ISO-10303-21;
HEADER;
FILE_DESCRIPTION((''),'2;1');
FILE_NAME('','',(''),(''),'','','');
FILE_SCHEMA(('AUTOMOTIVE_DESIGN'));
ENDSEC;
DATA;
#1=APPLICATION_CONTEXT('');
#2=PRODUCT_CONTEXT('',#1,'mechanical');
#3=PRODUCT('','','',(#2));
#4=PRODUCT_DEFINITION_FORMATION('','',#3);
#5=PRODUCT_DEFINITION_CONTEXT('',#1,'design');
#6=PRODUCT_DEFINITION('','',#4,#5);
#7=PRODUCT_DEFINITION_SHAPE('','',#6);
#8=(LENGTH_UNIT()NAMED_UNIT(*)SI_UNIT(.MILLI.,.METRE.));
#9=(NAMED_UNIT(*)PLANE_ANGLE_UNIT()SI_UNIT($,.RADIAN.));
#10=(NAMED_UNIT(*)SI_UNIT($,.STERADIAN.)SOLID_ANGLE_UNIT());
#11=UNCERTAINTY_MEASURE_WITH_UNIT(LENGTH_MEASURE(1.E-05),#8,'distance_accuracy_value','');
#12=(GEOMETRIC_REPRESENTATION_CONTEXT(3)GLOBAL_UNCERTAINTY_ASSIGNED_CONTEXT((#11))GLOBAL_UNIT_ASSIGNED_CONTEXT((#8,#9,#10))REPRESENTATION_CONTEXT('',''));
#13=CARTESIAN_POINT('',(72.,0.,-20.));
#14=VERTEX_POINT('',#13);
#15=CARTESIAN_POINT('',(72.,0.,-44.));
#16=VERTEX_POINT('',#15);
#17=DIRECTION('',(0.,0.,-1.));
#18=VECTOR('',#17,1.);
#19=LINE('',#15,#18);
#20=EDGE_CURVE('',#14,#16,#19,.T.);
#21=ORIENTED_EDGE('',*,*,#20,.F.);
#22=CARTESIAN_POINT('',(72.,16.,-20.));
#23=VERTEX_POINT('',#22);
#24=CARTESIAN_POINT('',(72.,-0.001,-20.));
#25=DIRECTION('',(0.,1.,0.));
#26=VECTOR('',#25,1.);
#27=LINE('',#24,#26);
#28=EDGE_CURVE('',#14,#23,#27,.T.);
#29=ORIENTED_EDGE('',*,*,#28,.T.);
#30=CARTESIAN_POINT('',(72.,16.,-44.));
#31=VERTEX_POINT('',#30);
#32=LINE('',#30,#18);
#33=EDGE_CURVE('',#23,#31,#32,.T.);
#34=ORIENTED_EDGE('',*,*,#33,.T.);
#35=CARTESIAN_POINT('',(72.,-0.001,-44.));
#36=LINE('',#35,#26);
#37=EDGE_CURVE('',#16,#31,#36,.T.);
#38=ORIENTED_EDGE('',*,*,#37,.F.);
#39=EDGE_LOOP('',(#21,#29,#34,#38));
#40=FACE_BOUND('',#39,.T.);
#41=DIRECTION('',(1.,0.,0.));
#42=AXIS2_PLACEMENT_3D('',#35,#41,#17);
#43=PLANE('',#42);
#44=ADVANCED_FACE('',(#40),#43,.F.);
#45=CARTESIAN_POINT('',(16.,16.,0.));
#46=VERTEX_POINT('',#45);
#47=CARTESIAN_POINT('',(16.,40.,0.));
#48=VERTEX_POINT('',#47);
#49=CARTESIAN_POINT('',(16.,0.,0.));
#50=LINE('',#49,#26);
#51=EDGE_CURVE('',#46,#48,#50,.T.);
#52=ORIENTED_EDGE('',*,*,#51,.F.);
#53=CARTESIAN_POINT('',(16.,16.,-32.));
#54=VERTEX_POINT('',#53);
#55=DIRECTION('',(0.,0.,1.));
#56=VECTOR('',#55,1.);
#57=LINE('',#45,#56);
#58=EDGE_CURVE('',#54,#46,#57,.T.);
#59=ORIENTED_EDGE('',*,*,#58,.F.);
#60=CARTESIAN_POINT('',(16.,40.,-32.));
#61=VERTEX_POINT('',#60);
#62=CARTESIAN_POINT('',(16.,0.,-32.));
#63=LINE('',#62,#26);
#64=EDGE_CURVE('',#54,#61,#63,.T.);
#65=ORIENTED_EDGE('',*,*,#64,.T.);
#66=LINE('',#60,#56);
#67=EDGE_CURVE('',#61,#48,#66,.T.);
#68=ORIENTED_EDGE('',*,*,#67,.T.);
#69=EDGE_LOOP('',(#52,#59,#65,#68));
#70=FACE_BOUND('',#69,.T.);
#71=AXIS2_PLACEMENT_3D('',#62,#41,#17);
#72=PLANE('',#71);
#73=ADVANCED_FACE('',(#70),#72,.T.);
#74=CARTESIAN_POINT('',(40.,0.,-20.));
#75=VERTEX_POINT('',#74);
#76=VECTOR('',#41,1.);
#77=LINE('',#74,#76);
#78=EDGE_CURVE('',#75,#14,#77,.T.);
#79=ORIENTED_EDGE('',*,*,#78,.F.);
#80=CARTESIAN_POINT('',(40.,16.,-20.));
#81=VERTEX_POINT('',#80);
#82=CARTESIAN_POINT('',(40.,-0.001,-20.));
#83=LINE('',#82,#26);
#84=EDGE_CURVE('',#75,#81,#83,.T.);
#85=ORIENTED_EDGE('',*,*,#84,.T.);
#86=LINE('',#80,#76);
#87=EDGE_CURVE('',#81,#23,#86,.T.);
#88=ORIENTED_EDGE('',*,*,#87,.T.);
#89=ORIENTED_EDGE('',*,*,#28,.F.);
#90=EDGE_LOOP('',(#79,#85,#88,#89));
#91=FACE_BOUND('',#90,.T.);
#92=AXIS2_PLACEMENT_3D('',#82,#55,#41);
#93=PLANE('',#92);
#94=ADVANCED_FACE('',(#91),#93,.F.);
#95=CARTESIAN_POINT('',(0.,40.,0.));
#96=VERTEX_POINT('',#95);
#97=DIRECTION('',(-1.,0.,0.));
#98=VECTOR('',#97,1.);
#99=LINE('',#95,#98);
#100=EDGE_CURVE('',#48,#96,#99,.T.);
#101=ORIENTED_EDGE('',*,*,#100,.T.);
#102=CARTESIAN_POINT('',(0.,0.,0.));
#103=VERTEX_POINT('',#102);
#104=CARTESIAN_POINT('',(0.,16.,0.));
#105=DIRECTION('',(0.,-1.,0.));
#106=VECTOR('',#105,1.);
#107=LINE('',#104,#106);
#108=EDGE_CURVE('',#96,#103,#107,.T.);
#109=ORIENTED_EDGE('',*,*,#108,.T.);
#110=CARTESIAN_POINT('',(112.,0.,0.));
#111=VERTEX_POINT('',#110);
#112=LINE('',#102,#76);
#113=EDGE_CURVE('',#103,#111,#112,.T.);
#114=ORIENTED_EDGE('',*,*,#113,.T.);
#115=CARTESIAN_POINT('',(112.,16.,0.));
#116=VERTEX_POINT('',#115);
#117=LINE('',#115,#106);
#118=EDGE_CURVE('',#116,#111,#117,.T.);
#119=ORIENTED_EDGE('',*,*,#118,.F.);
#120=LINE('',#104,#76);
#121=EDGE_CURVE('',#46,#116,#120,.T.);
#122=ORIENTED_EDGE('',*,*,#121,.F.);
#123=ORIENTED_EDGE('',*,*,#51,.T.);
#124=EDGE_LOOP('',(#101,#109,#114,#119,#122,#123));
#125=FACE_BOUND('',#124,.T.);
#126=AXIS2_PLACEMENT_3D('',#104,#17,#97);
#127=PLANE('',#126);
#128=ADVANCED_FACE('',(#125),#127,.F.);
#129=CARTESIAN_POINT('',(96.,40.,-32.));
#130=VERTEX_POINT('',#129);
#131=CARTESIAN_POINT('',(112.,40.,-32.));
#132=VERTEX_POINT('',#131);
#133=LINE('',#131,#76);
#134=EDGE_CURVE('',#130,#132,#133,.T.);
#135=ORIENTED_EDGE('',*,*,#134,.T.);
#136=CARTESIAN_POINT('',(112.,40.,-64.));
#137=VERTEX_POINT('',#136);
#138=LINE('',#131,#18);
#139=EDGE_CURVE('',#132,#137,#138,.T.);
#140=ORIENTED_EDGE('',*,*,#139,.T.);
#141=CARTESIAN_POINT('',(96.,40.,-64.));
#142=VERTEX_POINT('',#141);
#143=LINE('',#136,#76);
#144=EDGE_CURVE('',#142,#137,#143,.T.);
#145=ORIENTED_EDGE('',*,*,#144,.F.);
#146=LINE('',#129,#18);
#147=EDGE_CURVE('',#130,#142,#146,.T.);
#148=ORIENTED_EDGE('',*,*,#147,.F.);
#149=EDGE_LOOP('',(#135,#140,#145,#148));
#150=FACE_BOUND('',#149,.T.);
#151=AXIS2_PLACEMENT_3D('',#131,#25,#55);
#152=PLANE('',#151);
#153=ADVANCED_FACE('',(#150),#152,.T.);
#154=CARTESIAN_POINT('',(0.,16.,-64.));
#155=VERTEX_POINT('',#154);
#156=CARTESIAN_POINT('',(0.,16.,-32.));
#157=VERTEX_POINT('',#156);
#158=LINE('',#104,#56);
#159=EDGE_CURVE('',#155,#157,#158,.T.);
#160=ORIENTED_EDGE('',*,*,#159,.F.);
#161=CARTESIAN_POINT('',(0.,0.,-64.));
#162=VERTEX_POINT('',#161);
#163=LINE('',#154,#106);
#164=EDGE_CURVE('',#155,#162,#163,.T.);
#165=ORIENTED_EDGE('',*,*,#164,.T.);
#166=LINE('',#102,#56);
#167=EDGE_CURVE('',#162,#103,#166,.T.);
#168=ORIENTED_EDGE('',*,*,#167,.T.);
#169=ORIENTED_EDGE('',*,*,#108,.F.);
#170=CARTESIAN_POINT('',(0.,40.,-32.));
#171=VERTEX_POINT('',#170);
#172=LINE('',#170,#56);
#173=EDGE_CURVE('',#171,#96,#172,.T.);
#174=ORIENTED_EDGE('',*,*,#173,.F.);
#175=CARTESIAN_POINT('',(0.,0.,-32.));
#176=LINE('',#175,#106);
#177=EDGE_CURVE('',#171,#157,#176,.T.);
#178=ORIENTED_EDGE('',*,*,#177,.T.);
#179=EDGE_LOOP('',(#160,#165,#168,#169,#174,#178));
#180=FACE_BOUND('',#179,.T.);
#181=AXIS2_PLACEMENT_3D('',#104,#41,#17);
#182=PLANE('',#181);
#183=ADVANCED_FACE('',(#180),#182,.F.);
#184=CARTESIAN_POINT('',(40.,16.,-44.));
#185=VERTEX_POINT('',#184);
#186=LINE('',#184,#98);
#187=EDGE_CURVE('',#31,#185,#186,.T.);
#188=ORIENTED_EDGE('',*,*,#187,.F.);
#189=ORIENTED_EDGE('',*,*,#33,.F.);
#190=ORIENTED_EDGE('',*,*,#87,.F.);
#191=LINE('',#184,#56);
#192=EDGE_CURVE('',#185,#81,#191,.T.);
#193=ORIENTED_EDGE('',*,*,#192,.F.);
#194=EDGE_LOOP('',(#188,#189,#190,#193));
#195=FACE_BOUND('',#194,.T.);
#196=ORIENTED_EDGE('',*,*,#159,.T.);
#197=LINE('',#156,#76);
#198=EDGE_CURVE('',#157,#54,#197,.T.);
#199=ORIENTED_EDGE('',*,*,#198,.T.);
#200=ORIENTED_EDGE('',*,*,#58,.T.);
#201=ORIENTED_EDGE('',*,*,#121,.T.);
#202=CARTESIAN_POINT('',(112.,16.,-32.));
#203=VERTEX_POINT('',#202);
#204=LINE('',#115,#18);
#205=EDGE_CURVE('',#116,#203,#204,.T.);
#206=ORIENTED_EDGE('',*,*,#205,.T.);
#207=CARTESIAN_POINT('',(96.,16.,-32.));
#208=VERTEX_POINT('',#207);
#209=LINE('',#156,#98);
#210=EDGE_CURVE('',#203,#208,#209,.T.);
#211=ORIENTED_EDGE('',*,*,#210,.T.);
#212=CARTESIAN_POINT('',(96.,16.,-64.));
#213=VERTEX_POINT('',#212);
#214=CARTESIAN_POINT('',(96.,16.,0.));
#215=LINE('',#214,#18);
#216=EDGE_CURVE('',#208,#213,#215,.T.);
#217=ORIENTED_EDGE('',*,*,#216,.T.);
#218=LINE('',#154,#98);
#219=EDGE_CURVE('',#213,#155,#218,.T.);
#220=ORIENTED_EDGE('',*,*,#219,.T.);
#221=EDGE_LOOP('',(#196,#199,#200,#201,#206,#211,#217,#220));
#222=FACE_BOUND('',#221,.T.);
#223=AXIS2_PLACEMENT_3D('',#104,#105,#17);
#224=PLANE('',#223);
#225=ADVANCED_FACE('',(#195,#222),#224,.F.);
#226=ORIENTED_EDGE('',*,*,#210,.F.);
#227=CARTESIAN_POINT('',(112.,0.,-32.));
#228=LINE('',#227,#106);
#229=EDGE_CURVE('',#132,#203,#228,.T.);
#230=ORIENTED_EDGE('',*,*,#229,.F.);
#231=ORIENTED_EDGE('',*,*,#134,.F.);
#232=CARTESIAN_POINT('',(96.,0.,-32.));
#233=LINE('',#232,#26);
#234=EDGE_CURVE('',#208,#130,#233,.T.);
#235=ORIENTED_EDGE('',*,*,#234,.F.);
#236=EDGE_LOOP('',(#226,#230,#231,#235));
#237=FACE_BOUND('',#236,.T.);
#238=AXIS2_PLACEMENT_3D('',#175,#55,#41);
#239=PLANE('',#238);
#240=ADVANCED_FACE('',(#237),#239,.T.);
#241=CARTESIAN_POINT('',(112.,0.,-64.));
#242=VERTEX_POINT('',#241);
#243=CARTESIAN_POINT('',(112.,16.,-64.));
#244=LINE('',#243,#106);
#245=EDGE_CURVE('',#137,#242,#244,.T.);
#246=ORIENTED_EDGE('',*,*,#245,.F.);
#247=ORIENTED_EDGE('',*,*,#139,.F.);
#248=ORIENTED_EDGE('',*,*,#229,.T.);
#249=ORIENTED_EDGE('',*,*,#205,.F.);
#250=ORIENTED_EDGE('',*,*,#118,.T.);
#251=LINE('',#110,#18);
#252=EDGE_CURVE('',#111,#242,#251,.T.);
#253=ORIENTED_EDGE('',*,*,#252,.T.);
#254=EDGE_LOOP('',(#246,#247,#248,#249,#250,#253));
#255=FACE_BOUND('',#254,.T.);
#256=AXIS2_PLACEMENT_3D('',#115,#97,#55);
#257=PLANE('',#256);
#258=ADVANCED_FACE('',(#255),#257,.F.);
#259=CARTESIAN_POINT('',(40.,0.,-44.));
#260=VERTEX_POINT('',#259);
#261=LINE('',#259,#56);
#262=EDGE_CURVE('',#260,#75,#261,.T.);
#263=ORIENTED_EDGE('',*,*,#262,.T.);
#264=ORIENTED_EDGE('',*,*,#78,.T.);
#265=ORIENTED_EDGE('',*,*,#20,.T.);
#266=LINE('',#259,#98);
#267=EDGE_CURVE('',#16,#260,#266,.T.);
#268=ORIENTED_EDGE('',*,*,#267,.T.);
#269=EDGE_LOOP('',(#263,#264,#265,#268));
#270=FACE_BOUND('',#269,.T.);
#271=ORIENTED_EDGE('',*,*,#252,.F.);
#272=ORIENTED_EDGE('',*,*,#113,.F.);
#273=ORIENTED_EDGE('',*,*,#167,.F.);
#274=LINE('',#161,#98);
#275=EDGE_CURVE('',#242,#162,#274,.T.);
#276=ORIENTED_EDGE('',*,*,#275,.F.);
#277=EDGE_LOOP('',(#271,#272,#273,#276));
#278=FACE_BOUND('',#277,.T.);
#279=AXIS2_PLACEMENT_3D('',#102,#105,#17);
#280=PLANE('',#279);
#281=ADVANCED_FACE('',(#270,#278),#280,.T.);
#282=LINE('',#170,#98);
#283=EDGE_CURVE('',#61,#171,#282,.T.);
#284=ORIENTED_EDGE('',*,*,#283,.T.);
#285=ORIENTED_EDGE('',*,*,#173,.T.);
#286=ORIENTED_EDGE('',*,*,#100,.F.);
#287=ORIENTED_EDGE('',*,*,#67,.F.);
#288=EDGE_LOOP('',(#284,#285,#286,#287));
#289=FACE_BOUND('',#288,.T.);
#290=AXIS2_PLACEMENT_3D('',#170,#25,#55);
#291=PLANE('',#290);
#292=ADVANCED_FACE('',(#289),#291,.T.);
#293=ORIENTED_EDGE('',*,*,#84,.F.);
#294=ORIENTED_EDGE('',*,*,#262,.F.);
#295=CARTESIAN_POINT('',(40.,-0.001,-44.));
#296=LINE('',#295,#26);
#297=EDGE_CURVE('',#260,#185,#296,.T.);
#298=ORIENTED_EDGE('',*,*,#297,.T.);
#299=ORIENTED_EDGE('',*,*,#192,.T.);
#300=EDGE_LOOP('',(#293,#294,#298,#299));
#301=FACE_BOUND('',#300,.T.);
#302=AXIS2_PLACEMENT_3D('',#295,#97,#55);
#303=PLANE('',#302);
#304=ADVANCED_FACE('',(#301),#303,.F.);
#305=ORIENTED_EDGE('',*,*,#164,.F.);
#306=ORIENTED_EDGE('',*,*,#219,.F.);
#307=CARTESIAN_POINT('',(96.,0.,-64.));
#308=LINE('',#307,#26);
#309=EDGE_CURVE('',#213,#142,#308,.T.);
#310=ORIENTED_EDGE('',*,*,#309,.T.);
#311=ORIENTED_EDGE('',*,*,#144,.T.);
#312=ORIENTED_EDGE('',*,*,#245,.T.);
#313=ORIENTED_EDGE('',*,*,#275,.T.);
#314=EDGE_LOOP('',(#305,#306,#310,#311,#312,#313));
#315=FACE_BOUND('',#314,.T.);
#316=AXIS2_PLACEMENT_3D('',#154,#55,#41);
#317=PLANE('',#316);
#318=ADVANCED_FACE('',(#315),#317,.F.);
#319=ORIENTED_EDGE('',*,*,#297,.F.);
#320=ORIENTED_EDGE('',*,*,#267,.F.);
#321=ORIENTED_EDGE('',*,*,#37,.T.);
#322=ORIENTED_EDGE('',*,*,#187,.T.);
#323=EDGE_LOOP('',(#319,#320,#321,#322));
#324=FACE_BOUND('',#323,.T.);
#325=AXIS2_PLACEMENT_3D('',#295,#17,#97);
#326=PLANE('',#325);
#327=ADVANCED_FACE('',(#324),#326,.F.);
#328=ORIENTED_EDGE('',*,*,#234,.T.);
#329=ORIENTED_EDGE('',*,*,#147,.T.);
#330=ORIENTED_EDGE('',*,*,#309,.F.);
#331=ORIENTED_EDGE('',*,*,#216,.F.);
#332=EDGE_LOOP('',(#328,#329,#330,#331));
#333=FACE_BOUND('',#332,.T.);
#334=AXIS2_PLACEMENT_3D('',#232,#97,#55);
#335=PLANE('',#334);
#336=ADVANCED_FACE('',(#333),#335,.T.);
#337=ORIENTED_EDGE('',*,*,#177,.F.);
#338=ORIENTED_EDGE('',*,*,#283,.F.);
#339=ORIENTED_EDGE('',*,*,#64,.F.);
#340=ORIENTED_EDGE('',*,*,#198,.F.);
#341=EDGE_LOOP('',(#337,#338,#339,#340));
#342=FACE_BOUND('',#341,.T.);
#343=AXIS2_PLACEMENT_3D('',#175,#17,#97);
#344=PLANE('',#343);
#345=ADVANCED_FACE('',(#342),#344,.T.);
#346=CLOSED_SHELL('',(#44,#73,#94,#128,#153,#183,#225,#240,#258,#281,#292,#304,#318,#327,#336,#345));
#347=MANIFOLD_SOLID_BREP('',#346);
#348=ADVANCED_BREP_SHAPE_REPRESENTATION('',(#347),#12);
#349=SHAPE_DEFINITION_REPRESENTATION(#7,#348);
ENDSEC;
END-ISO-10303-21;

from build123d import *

# Parameters (mm, degrees)
SKETCH1_W           = 112
SKETCH1_H           = 64
BOSS_EXTRUDE1_DEPTH = 16
SKETCH3_W           = 16
SKETCH3_H           = 40
BOSS_EXTRUDE2_DEPTH = 32
SKETCH6_W           = 16
SKETCH6_H           = 40
BOSS_EXTRUDE3_DEPTH = 32
CUT_EXTRUDE1_REACH  = 133.21
SKETCH7_W           = 32
SKETCH7_H           = 24


with BuildPart() as part:
    # Sketch1 → Boss-Extrude1 (new body)
    with BuildSketch(Plane(origin=(0, 0, 0), x_dir=(1, 0, 0), z_dir=(0, 1, 0))):
        with Locations((56, 32)):
            Rectangle(SKETCH1_W, SKETCH1_H)
    extrude(amount=BOSS_EXTRUDE1_DEPTH)

    # Sketch3 → Boss-Extrude2 (add)
    with BuildSketch(Plane.XY):
        with Locations((8, 20)):
            Rectangle(SKETCH3_W, SKETCH3_H)
    extrude(amount=-BOSS_EXTRUDE2_DEPTH)

    # Sketch6 → Boss-Extrude3 (add)
    with BuildSketch(Plane(origin=(0, 0, -64), x_dir=(-1, 0, 0), z_dir=(0, 0, -1))):
        with Locations((-104, 20)):
            Rectangle(SKETCH6_W, SKETCH6_H)
    extrude(amount=-BOSS_EXTRUDE3_DEPTH)

    # Sketch7 → Cut-Extrude1 (cut, up to next)
    with BuildSketch(Plane(origin=(0, 16, 0), x_dir=(1, 0, 0), z_dir=(0, 1, 0)), mode=Mode.PRIVATE) as cut_extrude1_sk1:
        with Locations((56, 32)):
            Rectangle(SKETCH7_W, SKETCH7_H)
    cut_extrude1_tool1 = extrude(cut_extrude1_sk1.sketch, amount=-CUT_EXTRUDE1_REACH, mode=Mode.PRIVATE) & part.part
    add(cut_extrude1_tool1.solids().sort_by_distance((56, 16, -32))[0], mode=Mode.SUBTRACT)


solid = part.part
